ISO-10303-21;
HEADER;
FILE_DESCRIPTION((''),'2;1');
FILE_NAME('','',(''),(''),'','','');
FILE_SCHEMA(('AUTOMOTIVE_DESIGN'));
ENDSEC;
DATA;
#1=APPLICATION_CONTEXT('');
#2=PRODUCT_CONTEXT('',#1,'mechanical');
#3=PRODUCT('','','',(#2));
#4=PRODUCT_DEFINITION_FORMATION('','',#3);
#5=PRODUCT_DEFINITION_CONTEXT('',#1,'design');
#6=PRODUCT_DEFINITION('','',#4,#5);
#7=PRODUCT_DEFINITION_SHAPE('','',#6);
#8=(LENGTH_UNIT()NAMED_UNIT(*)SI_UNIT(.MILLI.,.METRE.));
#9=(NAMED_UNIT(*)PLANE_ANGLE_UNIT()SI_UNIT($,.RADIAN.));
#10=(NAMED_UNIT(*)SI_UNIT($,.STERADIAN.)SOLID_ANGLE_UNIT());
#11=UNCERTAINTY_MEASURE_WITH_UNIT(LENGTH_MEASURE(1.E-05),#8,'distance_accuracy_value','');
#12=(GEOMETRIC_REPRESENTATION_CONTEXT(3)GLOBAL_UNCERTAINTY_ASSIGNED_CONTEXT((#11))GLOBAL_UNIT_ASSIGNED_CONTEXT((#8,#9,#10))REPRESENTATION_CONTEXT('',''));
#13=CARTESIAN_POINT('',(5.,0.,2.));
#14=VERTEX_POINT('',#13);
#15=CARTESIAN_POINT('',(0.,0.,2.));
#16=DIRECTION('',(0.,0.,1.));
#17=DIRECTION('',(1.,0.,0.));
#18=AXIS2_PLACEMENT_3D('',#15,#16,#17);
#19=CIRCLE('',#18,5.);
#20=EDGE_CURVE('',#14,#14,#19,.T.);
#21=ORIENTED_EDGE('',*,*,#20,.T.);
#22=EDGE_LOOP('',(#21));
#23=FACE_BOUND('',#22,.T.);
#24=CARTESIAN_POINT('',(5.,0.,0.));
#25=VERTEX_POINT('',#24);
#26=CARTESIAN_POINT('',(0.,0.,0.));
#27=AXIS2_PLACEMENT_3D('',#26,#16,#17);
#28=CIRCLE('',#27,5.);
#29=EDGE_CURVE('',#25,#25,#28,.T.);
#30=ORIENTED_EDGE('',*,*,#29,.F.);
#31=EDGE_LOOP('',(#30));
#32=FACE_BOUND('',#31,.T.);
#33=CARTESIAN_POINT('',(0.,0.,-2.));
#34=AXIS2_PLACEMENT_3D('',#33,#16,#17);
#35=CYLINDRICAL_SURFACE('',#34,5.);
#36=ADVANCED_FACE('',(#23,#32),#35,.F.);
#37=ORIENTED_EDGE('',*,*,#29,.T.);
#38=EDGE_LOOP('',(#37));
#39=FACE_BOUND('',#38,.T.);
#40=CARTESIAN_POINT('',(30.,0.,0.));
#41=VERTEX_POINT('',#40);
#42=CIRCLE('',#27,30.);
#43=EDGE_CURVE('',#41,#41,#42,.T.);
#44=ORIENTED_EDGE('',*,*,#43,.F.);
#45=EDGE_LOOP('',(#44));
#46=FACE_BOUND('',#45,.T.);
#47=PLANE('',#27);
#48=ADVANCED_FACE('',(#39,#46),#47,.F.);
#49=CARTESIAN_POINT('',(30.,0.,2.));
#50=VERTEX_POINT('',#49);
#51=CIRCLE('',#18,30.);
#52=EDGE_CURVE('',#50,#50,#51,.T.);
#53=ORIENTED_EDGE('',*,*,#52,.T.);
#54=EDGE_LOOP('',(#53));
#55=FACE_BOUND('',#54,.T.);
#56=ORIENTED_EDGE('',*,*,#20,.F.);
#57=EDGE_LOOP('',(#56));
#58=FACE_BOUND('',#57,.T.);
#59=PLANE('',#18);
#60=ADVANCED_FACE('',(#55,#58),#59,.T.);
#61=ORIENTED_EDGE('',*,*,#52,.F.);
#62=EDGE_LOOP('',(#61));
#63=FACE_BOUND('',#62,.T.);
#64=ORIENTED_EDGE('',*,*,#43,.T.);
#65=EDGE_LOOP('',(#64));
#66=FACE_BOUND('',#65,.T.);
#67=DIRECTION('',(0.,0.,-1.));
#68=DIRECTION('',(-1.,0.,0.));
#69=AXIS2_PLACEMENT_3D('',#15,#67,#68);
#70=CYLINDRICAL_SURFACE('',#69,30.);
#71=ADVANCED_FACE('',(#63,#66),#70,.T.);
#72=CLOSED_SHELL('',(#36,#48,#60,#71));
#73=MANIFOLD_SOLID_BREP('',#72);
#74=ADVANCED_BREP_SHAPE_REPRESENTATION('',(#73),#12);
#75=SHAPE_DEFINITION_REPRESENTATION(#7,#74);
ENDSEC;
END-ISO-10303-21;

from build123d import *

# Parameters (mm, degrees)
SKETCH1_R           = 30
BOSS_EXTRUDE1_DEPTH = 2
SKETCH2_R           = 5
CUT_EXTRUDE1_DEPTH  = 4


with BuildPart() as part:
    # Sketch1 → Boss-Extrude1 (new body)
    with BuildSketch(Plane.XY):
        Circle(SKETCH1_R)
    extrude(amount=BOSS_EXTRUDE1_DEPTH)

    # Sketch2 → Cut-Extrude1 (cut)
    with BuildSketch(Plane.XY.offset(2)):
        Circle(SKETCH2_R)
    extrude(amount=-CUT_EXTRUDE1_DEPTH, mode=Mode.SUBTRACT)


solid = part.part
